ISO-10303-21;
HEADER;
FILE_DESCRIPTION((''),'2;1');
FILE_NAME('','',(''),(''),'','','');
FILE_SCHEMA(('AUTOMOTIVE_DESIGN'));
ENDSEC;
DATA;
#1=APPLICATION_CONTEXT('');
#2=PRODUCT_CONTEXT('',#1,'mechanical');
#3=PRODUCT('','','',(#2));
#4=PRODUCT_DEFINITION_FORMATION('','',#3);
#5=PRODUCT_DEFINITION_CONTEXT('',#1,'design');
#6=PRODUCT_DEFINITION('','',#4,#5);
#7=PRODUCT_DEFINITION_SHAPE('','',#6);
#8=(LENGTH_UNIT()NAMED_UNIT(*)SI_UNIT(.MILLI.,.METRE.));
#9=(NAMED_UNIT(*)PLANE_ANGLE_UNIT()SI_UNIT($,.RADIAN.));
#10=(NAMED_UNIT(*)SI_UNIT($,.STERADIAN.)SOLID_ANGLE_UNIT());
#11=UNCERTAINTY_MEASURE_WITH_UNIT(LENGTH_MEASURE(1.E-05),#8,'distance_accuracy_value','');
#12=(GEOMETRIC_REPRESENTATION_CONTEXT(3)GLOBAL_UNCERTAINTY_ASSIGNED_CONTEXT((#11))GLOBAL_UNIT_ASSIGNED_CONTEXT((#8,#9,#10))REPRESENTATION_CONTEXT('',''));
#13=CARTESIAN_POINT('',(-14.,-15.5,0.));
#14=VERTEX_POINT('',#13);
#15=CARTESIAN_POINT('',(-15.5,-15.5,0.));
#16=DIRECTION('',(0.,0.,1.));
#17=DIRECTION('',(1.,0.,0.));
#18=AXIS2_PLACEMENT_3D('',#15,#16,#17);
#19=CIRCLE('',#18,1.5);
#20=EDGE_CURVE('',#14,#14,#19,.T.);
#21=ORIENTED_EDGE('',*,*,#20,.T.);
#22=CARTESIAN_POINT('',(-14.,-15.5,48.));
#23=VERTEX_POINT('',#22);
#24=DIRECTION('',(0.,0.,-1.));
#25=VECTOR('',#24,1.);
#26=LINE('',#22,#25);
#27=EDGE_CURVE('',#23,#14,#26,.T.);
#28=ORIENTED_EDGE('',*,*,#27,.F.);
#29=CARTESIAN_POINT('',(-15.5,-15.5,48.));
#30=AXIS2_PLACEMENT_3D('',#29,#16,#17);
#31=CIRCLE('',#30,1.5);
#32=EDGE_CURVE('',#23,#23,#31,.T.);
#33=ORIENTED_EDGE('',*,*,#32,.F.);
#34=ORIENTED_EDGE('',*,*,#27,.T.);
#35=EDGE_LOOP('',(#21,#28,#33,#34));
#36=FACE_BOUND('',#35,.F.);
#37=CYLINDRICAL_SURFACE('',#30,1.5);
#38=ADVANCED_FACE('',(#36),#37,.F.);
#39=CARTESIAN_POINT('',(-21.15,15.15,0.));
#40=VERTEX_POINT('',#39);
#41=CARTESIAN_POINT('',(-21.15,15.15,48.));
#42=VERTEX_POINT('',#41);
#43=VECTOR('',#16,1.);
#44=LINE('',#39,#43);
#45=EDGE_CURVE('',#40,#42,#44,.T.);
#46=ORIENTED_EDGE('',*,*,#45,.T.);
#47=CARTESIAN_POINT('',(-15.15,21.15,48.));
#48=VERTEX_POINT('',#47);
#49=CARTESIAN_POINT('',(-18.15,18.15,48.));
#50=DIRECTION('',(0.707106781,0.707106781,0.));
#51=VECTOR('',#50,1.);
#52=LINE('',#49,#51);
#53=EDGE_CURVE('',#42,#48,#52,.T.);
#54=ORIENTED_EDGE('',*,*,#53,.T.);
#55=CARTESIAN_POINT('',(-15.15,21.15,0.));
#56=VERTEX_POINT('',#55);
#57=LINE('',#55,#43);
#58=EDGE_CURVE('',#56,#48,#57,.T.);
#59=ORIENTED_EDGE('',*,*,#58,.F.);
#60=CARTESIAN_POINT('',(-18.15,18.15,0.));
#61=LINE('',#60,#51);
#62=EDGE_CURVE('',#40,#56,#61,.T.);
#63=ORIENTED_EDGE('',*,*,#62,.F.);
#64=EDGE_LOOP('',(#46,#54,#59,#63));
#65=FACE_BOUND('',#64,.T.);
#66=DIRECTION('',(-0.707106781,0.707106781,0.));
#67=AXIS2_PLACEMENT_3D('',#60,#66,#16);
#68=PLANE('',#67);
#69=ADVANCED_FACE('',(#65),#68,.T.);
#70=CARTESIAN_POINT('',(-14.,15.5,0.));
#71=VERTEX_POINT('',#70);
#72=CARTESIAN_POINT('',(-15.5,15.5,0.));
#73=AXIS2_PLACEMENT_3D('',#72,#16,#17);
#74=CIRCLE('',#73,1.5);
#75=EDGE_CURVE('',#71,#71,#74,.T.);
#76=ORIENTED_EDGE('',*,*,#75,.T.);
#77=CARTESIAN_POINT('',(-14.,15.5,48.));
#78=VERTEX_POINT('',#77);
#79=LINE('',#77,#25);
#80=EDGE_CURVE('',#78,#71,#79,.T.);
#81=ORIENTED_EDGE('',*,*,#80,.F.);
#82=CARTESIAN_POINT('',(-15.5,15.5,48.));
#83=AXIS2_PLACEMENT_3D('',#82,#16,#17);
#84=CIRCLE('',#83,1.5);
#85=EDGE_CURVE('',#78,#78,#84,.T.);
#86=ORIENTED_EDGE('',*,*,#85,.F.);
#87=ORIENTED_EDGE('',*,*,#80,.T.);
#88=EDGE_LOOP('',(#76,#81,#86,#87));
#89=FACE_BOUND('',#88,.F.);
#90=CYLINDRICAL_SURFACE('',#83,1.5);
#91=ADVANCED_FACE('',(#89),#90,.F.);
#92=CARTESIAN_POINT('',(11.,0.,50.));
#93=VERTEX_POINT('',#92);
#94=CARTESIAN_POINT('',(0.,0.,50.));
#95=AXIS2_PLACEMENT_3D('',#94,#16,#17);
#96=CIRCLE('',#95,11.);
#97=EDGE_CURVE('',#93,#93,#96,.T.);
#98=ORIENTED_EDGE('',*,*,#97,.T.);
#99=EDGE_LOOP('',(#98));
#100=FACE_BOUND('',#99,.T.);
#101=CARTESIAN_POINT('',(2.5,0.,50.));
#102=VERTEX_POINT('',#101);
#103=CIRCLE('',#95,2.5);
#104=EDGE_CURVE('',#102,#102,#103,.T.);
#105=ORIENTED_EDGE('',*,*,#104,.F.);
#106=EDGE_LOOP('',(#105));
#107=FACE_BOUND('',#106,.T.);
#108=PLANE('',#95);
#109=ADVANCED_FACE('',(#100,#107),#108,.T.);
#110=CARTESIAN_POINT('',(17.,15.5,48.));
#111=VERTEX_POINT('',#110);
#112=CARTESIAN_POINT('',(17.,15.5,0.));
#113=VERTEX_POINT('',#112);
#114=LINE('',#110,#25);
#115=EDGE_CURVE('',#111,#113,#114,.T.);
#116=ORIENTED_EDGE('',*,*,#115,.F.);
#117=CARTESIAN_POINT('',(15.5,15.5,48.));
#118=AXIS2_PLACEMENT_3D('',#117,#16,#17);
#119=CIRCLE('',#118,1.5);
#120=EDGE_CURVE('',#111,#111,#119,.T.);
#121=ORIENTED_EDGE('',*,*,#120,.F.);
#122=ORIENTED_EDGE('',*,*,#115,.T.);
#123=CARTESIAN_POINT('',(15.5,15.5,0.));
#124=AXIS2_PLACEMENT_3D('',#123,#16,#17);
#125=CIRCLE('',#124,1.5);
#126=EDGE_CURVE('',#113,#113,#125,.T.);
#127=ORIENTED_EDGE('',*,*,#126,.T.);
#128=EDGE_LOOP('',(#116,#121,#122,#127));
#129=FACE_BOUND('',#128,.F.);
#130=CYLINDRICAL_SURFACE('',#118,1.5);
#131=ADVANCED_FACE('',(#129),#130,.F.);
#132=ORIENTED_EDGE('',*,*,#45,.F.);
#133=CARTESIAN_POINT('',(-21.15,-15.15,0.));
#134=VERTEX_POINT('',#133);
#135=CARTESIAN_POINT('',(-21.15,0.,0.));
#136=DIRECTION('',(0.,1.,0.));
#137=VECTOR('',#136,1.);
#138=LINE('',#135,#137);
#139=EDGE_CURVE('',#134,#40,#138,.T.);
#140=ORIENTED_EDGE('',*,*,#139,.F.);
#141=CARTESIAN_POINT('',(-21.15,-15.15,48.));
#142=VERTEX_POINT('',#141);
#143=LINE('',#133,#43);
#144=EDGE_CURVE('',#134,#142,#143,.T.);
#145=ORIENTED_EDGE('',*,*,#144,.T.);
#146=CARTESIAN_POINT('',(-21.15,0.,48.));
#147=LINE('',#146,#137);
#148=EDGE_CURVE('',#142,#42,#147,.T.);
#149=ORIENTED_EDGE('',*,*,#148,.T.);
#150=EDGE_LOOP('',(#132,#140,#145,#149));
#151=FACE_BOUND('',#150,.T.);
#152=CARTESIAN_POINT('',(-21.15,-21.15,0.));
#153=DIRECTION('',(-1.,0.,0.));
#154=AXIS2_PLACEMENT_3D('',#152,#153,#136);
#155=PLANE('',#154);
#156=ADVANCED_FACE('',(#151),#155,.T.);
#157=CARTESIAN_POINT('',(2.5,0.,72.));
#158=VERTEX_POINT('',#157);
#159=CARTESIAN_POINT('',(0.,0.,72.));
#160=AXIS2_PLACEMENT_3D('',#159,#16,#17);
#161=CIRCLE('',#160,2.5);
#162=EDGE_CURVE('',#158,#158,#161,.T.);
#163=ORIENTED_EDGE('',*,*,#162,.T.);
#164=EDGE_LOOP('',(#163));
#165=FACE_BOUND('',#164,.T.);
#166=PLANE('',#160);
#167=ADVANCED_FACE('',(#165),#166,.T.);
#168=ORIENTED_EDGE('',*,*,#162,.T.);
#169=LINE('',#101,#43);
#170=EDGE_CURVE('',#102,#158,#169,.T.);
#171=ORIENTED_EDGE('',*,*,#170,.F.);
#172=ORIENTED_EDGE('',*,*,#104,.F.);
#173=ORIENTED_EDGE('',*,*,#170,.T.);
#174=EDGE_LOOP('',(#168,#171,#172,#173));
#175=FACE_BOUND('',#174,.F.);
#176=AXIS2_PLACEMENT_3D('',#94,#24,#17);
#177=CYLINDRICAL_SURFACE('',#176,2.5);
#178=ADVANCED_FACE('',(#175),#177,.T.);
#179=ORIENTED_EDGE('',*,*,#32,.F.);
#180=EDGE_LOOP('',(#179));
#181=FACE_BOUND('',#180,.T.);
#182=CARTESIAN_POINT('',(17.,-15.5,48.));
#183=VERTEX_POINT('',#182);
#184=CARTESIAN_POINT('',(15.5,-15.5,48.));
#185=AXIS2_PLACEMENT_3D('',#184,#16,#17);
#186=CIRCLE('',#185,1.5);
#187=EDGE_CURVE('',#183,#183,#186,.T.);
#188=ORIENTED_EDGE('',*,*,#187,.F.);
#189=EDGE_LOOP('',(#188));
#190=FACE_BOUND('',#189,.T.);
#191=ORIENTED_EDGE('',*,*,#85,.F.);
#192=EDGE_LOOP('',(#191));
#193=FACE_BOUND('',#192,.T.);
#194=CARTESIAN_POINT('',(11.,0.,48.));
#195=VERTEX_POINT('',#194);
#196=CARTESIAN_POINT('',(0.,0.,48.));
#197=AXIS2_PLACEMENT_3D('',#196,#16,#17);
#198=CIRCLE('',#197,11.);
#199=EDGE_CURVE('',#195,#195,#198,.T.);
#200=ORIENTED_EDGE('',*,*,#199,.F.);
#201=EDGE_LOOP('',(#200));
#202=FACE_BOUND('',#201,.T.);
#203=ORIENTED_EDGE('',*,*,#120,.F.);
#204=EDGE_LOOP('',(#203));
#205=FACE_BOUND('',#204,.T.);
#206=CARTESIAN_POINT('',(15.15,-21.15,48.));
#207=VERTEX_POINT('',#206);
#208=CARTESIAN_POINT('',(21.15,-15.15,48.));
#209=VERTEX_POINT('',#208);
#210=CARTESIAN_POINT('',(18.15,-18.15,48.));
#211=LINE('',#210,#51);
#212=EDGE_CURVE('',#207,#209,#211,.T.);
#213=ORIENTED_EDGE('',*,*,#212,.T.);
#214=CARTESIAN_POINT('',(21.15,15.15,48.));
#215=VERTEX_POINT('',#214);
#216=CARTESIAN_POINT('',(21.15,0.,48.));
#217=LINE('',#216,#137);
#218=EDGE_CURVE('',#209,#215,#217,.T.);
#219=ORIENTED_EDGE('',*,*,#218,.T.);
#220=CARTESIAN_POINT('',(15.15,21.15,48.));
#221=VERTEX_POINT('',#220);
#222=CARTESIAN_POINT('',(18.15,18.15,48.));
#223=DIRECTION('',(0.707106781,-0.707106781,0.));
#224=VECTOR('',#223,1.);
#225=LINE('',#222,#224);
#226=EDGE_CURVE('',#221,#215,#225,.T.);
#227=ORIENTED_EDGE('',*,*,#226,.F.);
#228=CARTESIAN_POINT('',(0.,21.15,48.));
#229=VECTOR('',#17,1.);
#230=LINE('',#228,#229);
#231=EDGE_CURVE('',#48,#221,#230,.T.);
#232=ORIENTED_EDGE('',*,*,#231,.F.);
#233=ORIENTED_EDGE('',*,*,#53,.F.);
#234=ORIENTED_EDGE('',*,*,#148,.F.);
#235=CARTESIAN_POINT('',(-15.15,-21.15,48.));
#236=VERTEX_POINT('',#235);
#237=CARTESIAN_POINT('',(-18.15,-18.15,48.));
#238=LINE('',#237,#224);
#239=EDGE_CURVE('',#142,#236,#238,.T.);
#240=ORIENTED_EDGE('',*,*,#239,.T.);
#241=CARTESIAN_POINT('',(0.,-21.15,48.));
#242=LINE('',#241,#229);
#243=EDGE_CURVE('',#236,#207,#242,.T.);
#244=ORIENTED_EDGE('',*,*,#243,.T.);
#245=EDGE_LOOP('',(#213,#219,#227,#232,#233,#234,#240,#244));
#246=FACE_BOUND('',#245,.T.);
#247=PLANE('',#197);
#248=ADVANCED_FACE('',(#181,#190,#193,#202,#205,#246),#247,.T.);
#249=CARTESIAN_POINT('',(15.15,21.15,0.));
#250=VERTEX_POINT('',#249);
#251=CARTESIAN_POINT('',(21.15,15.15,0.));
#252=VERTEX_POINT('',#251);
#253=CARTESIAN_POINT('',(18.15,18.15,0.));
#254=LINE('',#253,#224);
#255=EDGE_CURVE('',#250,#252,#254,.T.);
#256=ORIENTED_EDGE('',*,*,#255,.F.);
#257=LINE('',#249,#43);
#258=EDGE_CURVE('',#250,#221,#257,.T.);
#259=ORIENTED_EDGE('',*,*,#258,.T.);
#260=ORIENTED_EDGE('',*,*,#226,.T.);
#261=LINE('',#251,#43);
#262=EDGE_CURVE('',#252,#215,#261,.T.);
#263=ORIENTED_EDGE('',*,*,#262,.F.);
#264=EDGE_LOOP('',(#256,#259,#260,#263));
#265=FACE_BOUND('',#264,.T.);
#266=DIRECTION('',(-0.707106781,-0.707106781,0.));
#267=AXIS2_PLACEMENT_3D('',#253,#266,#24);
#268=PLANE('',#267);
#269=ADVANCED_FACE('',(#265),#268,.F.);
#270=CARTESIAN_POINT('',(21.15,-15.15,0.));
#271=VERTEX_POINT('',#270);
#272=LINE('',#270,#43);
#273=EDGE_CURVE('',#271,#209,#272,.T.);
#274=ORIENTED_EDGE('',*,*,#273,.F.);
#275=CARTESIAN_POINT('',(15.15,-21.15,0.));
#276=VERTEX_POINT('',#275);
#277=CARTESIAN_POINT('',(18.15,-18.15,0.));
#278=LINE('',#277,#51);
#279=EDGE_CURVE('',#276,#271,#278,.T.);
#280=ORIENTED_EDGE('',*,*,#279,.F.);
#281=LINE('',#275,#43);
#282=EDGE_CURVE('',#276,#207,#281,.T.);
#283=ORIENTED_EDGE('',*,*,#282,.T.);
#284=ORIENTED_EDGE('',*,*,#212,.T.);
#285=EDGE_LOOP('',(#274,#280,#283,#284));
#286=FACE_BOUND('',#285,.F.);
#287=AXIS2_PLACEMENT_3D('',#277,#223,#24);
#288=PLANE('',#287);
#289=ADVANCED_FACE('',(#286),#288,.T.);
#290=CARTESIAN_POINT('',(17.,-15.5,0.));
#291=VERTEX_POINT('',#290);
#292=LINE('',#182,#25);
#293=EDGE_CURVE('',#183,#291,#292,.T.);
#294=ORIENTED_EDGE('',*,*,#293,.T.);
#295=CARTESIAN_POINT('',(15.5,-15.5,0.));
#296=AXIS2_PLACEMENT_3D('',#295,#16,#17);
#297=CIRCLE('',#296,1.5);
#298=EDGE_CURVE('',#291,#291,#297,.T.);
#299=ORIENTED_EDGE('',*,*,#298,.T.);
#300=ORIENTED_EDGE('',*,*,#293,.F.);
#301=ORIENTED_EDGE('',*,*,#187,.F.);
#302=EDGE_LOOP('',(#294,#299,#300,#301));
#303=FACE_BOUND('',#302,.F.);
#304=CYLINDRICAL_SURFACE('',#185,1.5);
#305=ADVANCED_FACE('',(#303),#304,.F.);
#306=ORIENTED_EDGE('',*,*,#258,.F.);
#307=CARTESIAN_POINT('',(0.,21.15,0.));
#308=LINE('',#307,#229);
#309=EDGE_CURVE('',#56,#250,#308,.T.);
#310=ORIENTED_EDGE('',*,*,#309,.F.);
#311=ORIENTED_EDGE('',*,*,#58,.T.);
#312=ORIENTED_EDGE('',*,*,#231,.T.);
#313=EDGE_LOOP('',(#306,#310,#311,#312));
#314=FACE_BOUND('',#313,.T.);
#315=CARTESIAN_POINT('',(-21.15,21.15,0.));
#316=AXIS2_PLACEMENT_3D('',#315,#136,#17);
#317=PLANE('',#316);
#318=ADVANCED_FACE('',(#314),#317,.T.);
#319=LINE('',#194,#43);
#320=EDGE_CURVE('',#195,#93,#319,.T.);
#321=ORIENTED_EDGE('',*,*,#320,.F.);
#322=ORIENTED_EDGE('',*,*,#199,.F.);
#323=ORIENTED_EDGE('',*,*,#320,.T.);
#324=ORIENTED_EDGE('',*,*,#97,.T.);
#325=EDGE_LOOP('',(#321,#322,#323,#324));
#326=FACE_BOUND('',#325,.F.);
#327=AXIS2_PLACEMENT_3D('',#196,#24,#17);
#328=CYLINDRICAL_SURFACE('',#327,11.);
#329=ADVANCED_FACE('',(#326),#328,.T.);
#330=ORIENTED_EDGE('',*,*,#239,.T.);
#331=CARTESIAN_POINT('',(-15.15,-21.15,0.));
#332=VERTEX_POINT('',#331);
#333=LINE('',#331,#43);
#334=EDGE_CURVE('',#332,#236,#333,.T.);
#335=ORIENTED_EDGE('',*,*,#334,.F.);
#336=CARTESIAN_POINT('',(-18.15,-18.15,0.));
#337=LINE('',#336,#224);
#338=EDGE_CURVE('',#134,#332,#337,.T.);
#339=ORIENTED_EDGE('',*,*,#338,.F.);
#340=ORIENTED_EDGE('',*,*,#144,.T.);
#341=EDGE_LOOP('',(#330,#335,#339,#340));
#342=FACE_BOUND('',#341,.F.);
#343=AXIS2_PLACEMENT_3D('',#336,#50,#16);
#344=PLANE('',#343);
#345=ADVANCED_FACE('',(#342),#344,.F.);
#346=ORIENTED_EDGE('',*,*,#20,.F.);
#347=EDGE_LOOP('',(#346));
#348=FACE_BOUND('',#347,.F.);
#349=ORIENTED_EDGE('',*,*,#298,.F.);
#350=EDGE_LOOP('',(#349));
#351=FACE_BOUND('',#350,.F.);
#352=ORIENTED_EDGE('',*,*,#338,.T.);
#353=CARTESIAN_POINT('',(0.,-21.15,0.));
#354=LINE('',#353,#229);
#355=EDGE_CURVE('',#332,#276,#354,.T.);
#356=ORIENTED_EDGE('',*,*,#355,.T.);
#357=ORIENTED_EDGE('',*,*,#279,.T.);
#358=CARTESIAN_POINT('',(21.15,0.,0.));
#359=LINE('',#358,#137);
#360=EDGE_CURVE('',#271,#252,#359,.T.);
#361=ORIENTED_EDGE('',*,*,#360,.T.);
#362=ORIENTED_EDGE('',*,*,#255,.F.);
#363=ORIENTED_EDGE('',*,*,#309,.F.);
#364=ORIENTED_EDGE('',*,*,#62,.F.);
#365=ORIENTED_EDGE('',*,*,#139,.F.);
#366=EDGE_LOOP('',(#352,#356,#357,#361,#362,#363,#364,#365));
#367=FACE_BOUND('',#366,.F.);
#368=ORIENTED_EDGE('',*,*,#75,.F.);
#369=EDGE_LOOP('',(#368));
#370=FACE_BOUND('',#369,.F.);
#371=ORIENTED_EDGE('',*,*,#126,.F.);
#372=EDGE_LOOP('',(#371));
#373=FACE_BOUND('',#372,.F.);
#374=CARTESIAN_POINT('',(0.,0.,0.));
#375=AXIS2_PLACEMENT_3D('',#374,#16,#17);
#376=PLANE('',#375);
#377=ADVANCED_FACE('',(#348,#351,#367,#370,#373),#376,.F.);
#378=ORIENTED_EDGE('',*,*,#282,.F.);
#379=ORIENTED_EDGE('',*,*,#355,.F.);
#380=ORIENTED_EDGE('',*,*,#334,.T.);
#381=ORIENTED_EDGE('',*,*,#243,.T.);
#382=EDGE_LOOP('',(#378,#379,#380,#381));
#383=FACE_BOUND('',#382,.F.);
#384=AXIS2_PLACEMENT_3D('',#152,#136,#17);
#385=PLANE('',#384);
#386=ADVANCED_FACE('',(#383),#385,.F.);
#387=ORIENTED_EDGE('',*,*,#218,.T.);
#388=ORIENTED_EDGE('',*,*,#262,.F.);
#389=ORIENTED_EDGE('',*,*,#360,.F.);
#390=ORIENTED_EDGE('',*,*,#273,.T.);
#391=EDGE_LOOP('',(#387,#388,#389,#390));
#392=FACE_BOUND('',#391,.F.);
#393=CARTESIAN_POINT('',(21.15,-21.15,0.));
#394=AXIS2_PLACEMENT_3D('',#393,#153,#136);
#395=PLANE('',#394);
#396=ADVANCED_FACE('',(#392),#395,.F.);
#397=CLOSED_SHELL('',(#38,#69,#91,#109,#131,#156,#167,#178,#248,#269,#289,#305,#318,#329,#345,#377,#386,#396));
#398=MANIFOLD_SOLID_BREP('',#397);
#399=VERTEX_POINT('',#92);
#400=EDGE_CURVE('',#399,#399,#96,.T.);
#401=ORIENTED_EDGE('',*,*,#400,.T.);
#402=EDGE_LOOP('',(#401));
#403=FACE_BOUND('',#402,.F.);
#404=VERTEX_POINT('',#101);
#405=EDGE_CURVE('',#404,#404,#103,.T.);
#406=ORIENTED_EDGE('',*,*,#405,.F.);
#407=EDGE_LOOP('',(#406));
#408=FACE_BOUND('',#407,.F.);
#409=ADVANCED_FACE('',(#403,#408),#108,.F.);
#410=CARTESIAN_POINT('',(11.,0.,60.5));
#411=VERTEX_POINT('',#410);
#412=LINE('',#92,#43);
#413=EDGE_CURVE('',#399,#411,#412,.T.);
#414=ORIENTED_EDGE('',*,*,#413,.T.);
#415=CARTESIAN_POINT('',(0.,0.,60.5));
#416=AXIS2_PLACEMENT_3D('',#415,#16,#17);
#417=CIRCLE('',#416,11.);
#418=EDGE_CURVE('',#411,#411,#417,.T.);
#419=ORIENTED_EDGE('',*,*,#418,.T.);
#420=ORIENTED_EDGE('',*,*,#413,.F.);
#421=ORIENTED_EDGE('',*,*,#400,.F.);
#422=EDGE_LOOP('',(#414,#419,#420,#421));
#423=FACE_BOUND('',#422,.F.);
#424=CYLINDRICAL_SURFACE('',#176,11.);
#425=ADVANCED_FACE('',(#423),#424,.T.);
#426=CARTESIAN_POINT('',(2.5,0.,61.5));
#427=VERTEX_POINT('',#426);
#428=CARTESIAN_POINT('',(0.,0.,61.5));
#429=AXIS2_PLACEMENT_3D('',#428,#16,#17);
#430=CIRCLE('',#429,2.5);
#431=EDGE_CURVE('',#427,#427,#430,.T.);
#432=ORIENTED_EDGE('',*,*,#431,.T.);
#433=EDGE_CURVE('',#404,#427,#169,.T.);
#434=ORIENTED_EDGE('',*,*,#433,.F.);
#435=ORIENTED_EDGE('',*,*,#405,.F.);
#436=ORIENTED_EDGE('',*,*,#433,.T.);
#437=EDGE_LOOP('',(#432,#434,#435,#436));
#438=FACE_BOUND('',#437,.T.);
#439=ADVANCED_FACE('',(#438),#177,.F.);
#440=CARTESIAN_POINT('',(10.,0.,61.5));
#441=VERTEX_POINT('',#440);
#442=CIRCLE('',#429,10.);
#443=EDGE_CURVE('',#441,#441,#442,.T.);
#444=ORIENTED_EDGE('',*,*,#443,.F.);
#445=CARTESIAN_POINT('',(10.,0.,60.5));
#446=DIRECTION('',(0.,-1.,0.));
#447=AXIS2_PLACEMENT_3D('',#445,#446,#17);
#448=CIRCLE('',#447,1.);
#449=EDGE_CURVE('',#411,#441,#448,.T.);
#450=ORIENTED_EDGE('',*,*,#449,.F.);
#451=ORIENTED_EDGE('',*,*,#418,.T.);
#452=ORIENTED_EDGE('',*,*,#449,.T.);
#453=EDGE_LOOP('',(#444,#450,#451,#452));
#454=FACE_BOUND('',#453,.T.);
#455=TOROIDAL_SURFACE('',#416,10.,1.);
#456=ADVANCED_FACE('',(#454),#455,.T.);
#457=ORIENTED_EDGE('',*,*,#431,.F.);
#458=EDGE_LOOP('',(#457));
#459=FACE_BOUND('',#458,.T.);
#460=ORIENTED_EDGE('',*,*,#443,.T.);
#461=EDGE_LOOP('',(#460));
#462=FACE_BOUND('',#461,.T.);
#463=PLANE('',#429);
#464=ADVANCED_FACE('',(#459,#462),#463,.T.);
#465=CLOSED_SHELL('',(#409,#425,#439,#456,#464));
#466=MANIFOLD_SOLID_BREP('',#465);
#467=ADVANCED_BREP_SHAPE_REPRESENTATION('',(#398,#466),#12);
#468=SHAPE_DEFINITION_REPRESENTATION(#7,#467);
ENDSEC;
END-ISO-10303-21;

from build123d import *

# Parameters (mm, degrees)
F0_W      = 42.3
F0_H      = 42.3
F1_DEPTH  = 48
F2_R      = 11
F3_DEPTH  = 2
F4_R      = 2.5
F5_DEPTH  = 22
F6_R      = 1.5
F7_DEPTH  = 48
F8_SIZE   = 6
F9_R      = 11
F9_R_2    = 2.5
F10_DEPTH = 11.5
F11_R     = 1


with BuildPart() as f1:
    # F0 (on Top) → F1 (new body)
    with BuildSketch(Plane.XY):
        Rectangle(F0_W, F0_H)
    extrude(amount=F1_DEPTH)

    # F2 (on face) → F3 (join)
    with BuildSketch(Plane.XY.offset(48)):
        Circle(F2_R)
    extrude(amount=F3_DEPTH)

    # F4 (on face) → F5 (join)
    with BuildSketch(Plane.XY.offset(50)):
        Circle(F4_R)
    extrude(amount=F5_DEPTH)

    # F6 (on face) → F7 (cut)
    with BuildSketch(Plane.XY.offset(48)):
        with Locations((15.5, -15.5)):
            Circle(F6_R)
        with Locations((15.5, 15.5)):
            Circle(F6_R)
        with Locations((-15.5, -15.5)):
            Circle(F6_R)
        with Locations((-15.5, 15.5)):
            Circle(F6_R)
    extrude(amount=-F7_DEPTH, mode=Mode.SUBTRACT)

    # F8
    f8_edges = [f1.edges().sort_by_distance(p)[0] for p in [
        (21.15, -21.15, 24),
        (-21.15, -21.15, 24),
        (21.15, 21.15, 24),
        (-21.15, 21.15, 24),
    ]]
    chamfer(f8_edges, length=F8_SIZE)


with BuildPart() as f10:
    # F9 (on face) → F10 (new body)
    with BuildSketch(Plane.XY.offset(50)):
        Circle(F9_R)
        Circle(F9_R_2, mode=Mode.SUBTRACT)
    extrude(amount=F10_DEPTH)

    # F11
    f11_edges = [f10.edges().sort_by_distance(p)[0] for p in [
        (-11, 0, 61.5),
    ]]
    fillet(f11_edges, radius=F11_R)


solid = Compound([f1.part, f10.part])
